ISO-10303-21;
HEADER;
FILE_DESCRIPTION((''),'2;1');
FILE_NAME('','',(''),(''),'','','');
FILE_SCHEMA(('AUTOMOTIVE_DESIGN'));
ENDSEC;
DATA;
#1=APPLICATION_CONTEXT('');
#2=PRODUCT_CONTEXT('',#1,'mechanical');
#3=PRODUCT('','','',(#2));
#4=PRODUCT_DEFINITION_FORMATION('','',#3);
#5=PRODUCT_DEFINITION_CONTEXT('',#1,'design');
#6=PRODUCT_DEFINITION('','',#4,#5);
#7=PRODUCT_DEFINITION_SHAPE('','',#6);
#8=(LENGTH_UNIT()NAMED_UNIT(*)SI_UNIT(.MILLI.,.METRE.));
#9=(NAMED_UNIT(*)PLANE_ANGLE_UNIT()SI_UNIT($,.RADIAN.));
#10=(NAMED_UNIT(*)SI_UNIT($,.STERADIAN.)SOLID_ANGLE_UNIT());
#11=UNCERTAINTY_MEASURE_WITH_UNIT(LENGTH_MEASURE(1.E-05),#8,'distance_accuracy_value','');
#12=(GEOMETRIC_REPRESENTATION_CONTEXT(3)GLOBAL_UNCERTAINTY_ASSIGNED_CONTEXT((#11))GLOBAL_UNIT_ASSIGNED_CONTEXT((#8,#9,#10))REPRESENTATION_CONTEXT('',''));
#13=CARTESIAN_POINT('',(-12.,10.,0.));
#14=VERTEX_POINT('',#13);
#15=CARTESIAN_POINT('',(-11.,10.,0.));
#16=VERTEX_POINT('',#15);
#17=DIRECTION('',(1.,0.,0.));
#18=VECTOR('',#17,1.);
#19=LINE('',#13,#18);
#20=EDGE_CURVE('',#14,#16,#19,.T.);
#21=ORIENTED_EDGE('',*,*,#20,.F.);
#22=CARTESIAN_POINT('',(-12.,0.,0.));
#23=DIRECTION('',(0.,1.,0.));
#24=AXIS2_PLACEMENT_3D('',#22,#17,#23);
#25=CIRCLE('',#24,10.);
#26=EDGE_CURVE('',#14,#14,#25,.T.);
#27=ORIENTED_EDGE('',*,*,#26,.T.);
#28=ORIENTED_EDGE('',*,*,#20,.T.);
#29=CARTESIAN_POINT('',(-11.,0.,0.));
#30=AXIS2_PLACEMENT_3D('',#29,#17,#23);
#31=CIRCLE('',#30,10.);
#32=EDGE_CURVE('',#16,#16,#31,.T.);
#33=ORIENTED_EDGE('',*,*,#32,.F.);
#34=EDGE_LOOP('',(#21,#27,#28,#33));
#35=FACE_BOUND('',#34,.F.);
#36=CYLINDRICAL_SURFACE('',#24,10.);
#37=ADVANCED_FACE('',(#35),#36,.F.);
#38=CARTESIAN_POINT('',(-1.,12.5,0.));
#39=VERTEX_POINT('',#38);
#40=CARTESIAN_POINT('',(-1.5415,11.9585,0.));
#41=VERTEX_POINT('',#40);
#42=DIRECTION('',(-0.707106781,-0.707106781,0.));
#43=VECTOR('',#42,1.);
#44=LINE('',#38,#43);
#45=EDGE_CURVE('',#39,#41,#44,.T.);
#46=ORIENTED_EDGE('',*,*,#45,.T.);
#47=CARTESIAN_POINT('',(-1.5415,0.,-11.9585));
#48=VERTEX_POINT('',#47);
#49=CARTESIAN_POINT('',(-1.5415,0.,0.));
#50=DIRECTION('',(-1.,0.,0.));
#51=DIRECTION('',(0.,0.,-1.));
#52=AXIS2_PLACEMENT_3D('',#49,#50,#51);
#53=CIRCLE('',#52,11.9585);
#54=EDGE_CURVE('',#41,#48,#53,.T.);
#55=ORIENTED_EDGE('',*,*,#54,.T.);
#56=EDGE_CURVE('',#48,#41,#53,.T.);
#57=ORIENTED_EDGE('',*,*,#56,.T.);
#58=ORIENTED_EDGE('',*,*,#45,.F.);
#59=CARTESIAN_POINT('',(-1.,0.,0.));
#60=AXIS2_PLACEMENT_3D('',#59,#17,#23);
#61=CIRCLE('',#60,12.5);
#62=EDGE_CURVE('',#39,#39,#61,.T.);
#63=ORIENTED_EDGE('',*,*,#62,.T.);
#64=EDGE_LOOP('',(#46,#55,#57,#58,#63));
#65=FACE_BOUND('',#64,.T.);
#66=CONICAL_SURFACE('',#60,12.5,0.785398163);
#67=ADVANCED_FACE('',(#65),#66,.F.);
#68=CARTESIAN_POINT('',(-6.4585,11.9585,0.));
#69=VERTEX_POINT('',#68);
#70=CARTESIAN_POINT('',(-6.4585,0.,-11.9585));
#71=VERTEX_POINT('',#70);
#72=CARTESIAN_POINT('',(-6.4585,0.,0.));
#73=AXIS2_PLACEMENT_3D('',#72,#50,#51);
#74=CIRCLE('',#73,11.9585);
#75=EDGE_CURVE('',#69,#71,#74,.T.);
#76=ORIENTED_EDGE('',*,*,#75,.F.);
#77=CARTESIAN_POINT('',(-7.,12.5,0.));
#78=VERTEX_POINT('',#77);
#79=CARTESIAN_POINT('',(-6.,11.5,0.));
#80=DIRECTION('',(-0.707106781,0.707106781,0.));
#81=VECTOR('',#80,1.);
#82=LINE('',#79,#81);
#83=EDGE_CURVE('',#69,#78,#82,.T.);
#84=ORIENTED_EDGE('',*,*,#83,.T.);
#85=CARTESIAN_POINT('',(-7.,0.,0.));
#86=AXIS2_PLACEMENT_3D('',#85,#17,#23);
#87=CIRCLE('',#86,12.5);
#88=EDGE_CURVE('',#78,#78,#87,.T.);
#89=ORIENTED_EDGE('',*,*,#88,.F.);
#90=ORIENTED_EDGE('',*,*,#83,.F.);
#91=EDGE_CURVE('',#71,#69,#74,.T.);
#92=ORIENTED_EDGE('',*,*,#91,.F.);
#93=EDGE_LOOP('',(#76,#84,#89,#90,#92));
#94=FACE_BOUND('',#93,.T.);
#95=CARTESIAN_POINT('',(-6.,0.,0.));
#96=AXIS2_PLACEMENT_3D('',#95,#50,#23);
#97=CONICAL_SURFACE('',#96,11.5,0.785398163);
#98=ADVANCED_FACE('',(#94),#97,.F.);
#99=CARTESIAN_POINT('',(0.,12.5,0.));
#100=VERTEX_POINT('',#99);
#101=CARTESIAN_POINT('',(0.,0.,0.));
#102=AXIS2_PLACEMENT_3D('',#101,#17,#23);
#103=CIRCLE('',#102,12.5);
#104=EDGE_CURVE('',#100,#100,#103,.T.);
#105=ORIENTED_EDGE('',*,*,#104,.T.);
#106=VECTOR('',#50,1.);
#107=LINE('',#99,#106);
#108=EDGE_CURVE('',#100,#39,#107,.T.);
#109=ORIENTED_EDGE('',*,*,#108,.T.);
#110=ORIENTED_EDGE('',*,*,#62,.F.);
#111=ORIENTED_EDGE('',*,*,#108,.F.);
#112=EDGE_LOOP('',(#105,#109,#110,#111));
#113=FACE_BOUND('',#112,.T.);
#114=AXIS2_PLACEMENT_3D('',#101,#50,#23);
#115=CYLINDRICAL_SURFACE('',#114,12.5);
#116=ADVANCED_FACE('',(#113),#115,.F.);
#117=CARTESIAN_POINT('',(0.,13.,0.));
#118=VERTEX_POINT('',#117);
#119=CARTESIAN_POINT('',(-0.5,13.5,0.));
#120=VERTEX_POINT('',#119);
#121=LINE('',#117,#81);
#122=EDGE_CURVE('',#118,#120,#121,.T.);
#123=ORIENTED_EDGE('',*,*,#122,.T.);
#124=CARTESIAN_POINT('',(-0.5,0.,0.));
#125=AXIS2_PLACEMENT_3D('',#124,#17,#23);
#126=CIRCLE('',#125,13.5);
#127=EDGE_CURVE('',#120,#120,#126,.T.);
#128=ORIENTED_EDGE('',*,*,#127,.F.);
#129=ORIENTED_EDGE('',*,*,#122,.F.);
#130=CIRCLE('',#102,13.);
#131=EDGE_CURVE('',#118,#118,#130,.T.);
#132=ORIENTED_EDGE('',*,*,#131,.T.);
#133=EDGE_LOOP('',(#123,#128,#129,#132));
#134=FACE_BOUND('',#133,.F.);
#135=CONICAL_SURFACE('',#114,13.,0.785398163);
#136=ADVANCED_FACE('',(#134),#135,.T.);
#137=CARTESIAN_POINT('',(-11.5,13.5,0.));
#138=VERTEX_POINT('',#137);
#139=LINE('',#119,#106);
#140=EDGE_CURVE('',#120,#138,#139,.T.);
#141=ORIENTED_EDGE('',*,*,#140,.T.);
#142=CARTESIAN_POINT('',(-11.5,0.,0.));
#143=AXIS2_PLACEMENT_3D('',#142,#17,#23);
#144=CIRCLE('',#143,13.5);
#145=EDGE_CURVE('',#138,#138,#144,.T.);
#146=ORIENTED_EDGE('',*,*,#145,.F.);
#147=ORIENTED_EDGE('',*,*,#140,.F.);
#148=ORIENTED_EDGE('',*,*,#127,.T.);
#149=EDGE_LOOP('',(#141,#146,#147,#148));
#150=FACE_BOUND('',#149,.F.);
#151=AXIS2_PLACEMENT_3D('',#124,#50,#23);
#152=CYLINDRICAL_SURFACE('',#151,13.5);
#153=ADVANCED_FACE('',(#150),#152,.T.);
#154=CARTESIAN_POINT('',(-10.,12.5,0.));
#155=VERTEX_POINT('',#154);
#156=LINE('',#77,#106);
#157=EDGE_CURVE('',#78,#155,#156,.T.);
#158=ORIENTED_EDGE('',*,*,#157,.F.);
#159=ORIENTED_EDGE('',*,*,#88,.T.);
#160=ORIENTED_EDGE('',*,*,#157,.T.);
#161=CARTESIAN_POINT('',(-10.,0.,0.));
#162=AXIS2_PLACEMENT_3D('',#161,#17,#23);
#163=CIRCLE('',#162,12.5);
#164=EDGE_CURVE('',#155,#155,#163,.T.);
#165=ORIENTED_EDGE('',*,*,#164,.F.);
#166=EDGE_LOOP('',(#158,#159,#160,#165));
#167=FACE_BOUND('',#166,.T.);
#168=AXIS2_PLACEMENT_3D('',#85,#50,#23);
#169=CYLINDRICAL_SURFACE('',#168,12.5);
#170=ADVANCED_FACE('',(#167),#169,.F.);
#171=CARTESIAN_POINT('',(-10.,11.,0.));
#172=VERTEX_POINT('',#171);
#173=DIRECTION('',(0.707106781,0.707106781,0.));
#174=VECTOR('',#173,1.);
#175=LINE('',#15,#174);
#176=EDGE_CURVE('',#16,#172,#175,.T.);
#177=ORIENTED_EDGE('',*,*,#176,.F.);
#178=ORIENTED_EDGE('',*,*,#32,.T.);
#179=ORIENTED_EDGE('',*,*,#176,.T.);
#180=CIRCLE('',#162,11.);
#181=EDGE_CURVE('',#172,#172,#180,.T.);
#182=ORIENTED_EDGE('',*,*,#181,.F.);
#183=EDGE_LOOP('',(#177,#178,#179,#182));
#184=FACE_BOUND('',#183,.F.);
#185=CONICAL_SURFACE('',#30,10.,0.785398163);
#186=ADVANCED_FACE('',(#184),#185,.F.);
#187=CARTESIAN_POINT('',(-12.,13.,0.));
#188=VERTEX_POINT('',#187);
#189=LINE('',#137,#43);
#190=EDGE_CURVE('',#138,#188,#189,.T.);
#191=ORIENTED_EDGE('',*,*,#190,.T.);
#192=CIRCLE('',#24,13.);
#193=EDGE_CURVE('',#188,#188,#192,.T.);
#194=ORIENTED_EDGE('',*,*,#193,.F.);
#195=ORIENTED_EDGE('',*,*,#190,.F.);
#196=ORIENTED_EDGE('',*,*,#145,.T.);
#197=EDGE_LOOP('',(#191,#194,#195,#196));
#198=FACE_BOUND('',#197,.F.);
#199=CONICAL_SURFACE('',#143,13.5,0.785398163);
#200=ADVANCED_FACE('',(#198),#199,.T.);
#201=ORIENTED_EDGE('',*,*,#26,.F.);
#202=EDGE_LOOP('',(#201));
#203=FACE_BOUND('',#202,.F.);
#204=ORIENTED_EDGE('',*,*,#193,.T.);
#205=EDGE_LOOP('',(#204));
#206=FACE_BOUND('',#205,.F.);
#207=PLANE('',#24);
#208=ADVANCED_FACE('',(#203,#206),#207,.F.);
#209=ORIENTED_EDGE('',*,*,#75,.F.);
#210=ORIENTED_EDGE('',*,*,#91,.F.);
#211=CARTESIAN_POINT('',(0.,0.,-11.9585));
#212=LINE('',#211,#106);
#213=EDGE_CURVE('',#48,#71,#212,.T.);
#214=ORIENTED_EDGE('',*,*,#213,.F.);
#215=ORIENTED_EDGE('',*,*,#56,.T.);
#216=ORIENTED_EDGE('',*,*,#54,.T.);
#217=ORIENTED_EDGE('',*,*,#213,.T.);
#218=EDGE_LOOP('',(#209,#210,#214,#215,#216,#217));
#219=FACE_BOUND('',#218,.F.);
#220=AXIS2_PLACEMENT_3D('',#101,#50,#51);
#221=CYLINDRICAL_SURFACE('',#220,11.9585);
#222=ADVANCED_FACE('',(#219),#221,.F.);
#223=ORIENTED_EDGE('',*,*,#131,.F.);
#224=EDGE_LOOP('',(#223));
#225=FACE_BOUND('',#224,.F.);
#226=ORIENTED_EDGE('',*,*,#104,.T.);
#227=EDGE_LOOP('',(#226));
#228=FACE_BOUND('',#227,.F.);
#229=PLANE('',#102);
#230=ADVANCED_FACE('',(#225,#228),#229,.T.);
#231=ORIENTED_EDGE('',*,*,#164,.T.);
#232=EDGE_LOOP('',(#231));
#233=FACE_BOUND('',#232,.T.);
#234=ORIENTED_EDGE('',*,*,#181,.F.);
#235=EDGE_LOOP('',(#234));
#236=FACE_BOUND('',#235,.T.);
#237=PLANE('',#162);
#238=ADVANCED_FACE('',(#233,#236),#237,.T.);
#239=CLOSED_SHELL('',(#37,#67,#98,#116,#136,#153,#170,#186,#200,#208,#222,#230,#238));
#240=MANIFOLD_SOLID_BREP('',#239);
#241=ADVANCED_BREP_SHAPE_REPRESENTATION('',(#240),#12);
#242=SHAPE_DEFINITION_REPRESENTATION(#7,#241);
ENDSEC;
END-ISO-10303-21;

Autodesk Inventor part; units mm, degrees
ref_plane "YZ Plane" through (0, 0, 0) normal (1, 0, 0) x (0, 1, 0)
ref_plane "XZ Plane" through (0, 0, 0) normal (0, 1, 0) x (-1, 0, 0)
ref_plane "XY Plane" through (0, 0, 0) normal (0, 0, 1) x (1, 0, 0)
sketch "Skizze1" plane through (0, 0, 0) normal (0, 0, 1) x (1, 0, 0)
  line L0 (-14.4, 0) -> (2.4, 0) projected
  line L1 (0, -2.7) -> (0, 16.2) projected
  line L2 (0, 12.5) -> (-1, 12.5)
  line L3 (-1, 12.5) -> (-2, 11.5)
  line L4 (-2, 11.5) -> (-6, 11.5)
  line L5 (-6, 11.5) -> (-7, 12.5)
  line L6 (-7, 12.5) -> (-10, 12.5)
  line L7 (-10, 12.5) -> (-10, 11)
  line L8 (-0.5, 13.5) -> (-11.5, 13.5)
  line L9 (-12, 13) -> (-12, 10)
  line L10 (-12, 10) -> (-11, 10)
  line L11 (-11, 10) -> (-10, 11)
  line L12 (-11.5, 13.5) -> (-12, 13)
  line L13 (0, 13) -> (0, 12.5)
  line L14 (0, 13) -> (-0.5, 13.5)
  point P0 (0, 0)
  point P1 (0, 13.5)
  point P2 (-12, 13.5)
  dimension "d0" = 23
  dimension "d1" = 25
  dimension "d2" = 45
  dimension "d3" = 45
  dimension "d4" = 1
  dimension "d5" = 10
  dimension "d6" = 3
  dimension "d7" = 12
  dimension "d9" = 20
  dimension "d10" = 1
  dimension "d11" = 0.5
  dimension "d12" = 0.5
  dimension "d13" = 0.5
  dimension "d14" = 0.5
  dimension "d25" = 22
  dimension "d26" = 1
revolve "Umdrehung1" add sketch "Skizze1" angle 360 about axis through (-10, 0, 0) along (1, 0, 0)
hole "Bohrung1" at (0, 0, 0) direction (-1, 0, 0) diameter 23.917 depth 8 thread size "M25x1" class "6H" standard "ISO Metric profile"
equation "\"d12\" = d11"
equation "\"d14\" = d13"
properties part number "13_0204_034"
